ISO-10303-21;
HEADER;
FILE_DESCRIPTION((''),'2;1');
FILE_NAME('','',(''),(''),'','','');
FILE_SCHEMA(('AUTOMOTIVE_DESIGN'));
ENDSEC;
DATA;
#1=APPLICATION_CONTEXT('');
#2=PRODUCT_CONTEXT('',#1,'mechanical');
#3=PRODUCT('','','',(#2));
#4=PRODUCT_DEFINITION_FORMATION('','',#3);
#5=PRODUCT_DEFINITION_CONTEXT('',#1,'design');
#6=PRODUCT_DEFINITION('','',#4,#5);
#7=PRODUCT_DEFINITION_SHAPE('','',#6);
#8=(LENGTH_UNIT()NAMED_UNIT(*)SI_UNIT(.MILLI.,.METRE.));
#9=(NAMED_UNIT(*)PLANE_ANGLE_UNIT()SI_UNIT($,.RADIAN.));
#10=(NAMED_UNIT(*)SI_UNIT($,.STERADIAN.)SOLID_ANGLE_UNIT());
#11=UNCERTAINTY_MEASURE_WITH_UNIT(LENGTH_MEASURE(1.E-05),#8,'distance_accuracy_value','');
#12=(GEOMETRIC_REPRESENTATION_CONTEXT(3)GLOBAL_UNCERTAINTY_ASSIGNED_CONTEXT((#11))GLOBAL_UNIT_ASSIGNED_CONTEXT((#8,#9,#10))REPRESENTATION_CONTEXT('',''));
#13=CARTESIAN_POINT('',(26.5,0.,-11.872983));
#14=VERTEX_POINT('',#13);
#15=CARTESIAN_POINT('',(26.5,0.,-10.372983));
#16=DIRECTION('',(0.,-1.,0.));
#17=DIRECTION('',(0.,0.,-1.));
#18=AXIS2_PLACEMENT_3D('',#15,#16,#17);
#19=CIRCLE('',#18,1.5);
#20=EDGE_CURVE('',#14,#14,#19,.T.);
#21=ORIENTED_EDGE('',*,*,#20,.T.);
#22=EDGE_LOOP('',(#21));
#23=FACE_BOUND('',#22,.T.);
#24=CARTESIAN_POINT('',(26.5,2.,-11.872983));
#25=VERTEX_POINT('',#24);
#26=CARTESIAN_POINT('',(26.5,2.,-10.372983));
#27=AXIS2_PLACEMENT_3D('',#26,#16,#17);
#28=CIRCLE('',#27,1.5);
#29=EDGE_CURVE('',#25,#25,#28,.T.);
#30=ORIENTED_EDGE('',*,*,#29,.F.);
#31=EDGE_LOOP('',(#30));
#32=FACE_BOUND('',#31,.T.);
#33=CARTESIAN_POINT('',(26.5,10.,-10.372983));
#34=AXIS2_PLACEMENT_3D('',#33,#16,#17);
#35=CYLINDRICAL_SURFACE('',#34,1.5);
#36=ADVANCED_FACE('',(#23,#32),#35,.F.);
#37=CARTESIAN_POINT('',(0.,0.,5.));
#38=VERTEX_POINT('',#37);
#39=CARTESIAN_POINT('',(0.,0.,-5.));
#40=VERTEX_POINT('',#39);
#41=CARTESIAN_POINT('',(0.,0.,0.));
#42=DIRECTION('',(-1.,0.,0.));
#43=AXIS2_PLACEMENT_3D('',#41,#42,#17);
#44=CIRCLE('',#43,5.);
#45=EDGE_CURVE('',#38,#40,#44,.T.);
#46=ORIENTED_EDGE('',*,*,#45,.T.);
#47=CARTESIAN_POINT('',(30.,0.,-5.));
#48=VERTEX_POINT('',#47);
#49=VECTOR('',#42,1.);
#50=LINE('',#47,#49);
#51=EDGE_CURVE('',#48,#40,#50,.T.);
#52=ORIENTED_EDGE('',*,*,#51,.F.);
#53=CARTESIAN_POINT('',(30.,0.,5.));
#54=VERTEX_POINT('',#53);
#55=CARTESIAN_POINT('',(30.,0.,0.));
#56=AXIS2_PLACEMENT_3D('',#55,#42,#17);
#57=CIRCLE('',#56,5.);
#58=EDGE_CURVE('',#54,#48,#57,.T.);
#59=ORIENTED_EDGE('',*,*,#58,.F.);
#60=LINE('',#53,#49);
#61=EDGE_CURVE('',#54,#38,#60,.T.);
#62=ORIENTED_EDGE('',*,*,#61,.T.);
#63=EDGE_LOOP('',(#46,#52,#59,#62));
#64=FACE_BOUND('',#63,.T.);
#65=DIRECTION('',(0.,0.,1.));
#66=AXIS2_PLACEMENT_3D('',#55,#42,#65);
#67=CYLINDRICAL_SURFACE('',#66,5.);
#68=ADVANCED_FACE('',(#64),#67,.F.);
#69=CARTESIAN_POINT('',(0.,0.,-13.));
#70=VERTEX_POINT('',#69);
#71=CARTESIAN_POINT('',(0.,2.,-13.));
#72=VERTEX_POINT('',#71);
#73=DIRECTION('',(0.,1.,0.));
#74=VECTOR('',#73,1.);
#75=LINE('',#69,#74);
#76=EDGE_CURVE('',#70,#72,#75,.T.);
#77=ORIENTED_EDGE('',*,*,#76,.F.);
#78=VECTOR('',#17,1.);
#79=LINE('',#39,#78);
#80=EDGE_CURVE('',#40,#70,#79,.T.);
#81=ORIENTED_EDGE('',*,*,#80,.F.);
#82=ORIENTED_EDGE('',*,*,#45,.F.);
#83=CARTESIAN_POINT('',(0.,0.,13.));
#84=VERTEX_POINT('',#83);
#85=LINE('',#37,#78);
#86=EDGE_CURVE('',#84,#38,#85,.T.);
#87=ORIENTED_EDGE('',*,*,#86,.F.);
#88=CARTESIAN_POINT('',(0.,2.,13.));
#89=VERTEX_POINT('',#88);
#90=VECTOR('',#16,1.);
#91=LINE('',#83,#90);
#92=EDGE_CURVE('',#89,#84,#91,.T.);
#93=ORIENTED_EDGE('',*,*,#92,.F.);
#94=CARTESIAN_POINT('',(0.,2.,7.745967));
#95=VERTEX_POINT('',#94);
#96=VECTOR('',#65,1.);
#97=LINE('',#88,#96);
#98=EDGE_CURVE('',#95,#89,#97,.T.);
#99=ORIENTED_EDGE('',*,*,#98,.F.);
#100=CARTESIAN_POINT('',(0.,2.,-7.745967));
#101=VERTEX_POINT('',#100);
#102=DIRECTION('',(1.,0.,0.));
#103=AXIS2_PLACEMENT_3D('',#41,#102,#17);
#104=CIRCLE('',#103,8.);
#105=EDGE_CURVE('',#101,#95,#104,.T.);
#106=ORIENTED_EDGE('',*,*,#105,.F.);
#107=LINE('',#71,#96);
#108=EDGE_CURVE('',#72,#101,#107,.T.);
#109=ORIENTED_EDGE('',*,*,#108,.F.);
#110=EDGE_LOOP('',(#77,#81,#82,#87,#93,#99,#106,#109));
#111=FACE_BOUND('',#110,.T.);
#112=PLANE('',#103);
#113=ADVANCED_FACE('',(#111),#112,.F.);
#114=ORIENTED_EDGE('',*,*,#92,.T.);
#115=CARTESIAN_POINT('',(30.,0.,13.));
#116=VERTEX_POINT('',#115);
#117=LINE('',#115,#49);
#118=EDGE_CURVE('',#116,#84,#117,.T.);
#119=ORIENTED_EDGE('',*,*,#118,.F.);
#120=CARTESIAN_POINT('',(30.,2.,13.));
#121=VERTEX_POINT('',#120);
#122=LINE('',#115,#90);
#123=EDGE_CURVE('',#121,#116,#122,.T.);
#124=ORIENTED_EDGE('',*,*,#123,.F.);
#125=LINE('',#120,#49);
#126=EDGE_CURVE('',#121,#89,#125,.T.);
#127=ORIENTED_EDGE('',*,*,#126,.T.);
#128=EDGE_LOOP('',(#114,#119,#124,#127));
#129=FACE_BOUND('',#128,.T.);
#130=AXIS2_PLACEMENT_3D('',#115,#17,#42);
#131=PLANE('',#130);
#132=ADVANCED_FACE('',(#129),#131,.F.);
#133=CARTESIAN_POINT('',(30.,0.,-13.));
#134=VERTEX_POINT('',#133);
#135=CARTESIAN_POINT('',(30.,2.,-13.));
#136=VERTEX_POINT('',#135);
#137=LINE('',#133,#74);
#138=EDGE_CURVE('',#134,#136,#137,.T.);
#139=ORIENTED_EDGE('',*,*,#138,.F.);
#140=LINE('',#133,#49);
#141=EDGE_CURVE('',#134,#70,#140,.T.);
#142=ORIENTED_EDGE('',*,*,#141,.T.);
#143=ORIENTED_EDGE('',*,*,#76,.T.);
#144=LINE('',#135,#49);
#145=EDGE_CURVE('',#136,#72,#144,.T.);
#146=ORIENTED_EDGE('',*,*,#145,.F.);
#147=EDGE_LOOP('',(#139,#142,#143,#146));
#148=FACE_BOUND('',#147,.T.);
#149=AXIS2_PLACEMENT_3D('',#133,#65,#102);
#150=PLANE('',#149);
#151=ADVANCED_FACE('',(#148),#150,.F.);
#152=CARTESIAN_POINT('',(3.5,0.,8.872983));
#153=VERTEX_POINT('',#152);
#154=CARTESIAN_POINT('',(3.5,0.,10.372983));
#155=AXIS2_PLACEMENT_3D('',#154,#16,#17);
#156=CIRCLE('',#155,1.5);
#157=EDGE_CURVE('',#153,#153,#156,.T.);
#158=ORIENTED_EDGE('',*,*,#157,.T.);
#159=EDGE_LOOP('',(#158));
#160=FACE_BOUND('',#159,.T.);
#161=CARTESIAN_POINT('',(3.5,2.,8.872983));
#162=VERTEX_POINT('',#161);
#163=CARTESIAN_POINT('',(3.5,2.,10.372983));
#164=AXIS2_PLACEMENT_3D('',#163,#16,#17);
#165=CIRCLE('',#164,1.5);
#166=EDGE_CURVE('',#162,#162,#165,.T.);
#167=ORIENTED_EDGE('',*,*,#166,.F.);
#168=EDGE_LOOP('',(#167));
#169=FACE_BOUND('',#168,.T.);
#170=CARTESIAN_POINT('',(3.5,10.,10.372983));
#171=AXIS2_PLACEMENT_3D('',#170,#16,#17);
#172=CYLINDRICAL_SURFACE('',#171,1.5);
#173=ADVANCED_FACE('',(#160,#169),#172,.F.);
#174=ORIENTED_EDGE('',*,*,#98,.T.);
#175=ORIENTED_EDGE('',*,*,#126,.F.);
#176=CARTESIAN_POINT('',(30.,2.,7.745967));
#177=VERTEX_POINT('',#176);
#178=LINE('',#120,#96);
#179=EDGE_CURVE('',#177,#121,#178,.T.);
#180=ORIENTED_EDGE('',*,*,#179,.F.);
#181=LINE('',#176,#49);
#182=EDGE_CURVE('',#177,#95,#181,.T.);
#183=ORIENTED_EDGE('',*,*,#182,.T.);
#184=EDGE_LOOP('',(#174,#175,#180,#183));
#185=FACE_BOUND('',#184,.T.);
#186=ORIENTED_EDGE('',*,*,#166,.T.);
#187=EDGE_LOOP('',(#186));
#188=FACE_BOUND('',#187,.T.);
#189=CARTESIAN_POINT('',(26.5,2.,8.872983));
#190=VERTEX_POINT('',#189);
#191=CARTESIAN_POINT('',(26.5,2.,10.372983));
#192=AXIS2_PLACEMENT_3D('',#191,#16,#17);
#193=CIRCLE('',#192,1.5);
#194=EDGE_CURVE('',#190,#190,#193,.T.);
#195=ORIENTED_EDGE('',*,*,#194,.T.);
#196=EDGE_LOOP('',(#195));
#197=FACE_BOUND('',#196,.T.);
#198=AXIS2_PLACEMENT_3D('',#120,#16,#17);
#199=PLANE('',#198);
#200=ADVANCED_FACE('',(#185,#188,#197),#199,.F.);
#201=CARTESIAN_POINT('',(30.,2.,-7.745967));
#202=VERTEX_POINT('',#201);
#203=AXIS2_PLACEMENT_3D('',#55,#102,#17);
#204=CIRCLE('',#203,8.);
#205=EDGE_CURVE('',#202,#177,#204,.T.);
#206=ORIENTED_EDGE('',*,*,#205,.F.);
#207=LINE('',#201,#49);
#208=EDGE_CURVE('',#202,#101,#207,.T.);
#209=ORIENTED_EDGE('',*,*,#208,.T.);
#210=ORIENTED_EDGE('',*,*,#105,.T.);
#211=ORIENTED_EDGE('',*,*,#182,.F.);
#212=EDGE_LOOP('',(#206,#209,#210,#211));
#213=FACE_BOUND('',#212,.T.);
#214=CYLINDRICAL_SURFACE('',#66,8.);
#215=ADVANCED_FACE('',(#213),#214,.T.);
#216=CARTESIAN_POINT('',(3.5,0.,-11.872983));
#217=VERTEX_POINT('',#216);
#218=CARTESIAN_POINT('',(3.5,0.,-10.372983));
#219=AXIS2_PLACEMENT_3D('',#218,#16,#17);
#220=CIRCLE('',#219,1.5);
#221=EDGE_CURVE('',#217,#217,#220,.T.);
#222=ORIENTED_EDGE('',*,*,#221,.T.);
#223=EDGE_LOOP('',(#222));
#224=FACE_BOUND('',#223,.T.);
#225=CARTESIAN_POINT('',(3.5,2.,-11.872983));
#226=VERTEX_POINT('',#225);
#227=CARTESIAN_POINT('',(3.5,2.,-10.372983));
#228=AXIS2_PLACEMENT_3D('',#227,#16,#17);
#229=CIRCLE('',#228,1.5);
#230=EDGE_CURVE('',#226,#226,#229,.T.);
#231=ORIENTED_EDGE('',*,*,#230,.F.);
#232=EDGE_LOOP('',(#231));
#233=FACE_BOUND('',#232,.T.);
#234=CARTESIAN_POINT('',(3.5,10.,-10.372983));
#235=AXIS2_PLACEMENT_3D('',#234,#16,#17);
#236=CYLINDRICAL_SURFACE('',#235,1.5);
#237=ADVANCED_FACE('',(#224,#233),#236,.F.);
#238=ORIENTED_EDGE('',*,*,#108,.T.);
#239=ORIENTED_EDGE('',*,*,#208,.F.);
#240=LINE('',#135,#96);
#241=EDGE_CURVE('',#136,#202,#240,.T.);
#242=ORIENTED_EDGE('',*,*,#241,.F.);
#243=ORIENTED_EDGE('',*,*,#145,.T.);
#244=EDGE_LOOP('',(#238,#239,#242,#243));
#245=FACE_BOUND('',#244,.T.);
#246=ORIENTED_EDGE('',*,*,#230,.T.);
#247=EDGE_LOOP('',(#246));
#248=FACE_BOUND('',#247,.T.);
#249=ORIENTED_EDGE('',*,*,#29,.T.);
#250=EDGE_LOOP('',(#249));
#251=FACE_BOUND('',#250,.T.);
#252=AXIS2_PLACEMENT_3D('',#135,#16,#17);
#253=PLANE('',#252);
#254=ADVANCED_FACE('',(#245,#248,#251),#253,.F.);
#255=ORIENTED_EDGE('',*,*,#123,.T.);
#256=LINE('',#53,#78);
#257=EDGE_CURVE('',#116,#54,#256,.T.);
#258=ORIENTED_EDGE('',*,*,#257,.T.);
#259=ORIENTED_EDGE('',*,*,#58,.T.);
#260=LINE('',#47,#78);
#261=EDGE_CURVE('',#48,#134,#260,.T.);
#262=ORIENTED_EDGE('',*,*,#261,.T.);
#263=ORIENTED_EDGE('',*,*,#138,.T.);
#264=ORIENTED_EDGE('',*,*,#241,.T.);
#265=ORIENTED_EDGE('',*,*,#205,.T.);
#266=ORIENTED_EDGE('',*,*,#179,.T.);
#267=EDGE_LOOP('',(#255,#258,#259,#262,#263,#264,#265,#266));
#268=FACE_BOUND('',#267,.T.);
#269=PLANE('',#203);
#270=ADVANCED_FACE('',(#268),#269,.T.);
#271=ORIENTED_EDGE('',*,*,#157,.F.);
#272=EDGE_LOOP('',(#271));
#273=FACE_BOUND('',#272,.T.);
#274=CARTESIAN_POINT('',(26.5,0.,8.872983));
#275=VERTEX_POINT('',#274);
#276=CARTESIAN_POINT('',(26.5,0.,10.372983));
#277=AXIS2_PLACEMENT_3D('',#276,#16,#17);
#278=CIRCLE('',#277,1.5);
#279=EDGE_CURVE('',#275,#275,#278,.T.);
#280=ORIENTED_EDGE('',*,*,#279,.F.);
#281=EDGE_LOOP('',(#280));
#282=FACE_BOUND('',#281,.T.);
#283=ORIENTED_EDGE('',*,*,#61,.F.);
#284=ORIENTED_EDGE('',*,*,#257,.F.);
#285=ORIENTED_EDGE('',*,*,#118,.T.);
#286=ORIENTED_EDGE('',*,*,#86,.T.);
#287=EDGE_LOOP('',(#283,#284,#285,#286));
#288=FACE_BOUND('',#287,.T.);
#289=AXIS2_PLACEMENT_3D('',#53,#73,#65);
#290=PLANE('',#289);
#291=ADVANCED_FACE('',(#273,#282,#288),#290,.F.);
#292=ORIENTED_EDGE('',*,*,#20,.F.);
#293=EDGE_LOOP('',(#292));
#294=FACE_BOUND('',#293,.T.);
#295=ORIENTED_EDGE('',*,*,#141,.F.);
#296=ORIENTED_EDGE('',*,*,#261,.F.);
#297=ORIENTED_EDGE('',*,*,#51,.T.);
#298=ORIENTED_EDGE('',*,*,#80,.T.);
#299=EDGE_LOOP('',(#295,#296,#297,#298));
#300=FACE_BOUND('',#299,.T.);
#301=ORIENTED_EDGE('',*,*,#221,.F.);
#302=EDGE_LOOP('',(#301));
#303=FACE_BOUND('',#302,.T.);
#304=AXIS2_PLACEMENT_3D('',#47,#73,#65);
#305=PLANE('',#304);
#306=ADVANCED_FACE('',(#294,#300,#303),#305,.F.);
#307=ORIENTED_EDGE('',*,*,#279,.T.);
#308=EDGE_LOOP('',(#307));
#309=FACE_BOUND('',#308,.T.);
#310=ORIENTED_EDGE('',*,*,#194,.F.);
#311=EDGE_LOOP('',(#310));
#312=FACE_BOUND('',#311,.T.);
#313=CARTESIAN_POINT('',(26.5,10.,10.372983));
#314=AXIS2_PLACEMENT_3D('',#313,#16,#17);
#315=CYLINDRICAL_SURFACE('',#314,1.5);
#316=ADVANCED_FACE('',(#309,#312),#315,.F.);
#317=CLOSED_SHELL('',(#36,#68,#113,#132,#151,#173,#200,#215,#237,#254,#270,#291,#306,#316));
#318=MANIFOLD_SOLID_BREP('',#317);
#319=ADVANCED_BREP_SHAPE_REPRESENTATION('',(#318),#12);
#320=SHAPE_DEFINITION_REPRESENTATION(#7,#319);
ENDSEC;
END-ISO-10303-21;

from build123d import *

# Parameters (mm, degrees)
EXTRUDE_1_DEPTH     = 30
SKETCH_2_R          = 1.5
CUT_EXTRUDE_1_DEPTH = 10


with BuildPart() as part:
    # 草图1 → 凸台-拉伸1 (new body)
    with BuildSketch(Plane(origin=(0, 0, 0), x_dir=(0, 0, -1), z_dir=(1, 0, 0))):
        with BuildLine():
            Line((-5, 0), (-13, 0))
            Line((-13, 0), (-13, 2))
            Line((-13, 2), (-7.745966692, 2))
            ThreePointArc((-7.745966692, 2), (0, 8), (7.745966692, 2))
            Line((7.745966692, 2), (13, 2))
            Line((13, 2), (13, 0))
            Line((13, 0), (5, 0))
            ThreePointArc((5, 0), (0, 5), (-5, 0))
        make_face()
    extrude(amount=EXTRUDE_1_DEPTH)

    # 草图2 → 切除-拉伸1 (cut)
    with BuildSketch(Plane.XZ):
        with Locations(Location((26.5, -10.372983346, 0), (0, 0, 270))):
            Circle(SKETCH_2_R)
        with Locations(Location((3.5, -10.372983346, 0), (0, 0, 270))):
            Circle(SKETCH_2_R)
        with Locations(Location((3.5, 10.372983346, 0), (0, 0, 270))):
            Circle(SKETCH_2_R)
        with Locations(Location((26.5, 10.372983346, 0), (0, 0, 270))):
            Circle(SKETCH_2_R)
    extrude(amount=-CUT_EXTRUDE_1_DEPTH, mode=Mode.SUBTRACT)


solid = part.part
